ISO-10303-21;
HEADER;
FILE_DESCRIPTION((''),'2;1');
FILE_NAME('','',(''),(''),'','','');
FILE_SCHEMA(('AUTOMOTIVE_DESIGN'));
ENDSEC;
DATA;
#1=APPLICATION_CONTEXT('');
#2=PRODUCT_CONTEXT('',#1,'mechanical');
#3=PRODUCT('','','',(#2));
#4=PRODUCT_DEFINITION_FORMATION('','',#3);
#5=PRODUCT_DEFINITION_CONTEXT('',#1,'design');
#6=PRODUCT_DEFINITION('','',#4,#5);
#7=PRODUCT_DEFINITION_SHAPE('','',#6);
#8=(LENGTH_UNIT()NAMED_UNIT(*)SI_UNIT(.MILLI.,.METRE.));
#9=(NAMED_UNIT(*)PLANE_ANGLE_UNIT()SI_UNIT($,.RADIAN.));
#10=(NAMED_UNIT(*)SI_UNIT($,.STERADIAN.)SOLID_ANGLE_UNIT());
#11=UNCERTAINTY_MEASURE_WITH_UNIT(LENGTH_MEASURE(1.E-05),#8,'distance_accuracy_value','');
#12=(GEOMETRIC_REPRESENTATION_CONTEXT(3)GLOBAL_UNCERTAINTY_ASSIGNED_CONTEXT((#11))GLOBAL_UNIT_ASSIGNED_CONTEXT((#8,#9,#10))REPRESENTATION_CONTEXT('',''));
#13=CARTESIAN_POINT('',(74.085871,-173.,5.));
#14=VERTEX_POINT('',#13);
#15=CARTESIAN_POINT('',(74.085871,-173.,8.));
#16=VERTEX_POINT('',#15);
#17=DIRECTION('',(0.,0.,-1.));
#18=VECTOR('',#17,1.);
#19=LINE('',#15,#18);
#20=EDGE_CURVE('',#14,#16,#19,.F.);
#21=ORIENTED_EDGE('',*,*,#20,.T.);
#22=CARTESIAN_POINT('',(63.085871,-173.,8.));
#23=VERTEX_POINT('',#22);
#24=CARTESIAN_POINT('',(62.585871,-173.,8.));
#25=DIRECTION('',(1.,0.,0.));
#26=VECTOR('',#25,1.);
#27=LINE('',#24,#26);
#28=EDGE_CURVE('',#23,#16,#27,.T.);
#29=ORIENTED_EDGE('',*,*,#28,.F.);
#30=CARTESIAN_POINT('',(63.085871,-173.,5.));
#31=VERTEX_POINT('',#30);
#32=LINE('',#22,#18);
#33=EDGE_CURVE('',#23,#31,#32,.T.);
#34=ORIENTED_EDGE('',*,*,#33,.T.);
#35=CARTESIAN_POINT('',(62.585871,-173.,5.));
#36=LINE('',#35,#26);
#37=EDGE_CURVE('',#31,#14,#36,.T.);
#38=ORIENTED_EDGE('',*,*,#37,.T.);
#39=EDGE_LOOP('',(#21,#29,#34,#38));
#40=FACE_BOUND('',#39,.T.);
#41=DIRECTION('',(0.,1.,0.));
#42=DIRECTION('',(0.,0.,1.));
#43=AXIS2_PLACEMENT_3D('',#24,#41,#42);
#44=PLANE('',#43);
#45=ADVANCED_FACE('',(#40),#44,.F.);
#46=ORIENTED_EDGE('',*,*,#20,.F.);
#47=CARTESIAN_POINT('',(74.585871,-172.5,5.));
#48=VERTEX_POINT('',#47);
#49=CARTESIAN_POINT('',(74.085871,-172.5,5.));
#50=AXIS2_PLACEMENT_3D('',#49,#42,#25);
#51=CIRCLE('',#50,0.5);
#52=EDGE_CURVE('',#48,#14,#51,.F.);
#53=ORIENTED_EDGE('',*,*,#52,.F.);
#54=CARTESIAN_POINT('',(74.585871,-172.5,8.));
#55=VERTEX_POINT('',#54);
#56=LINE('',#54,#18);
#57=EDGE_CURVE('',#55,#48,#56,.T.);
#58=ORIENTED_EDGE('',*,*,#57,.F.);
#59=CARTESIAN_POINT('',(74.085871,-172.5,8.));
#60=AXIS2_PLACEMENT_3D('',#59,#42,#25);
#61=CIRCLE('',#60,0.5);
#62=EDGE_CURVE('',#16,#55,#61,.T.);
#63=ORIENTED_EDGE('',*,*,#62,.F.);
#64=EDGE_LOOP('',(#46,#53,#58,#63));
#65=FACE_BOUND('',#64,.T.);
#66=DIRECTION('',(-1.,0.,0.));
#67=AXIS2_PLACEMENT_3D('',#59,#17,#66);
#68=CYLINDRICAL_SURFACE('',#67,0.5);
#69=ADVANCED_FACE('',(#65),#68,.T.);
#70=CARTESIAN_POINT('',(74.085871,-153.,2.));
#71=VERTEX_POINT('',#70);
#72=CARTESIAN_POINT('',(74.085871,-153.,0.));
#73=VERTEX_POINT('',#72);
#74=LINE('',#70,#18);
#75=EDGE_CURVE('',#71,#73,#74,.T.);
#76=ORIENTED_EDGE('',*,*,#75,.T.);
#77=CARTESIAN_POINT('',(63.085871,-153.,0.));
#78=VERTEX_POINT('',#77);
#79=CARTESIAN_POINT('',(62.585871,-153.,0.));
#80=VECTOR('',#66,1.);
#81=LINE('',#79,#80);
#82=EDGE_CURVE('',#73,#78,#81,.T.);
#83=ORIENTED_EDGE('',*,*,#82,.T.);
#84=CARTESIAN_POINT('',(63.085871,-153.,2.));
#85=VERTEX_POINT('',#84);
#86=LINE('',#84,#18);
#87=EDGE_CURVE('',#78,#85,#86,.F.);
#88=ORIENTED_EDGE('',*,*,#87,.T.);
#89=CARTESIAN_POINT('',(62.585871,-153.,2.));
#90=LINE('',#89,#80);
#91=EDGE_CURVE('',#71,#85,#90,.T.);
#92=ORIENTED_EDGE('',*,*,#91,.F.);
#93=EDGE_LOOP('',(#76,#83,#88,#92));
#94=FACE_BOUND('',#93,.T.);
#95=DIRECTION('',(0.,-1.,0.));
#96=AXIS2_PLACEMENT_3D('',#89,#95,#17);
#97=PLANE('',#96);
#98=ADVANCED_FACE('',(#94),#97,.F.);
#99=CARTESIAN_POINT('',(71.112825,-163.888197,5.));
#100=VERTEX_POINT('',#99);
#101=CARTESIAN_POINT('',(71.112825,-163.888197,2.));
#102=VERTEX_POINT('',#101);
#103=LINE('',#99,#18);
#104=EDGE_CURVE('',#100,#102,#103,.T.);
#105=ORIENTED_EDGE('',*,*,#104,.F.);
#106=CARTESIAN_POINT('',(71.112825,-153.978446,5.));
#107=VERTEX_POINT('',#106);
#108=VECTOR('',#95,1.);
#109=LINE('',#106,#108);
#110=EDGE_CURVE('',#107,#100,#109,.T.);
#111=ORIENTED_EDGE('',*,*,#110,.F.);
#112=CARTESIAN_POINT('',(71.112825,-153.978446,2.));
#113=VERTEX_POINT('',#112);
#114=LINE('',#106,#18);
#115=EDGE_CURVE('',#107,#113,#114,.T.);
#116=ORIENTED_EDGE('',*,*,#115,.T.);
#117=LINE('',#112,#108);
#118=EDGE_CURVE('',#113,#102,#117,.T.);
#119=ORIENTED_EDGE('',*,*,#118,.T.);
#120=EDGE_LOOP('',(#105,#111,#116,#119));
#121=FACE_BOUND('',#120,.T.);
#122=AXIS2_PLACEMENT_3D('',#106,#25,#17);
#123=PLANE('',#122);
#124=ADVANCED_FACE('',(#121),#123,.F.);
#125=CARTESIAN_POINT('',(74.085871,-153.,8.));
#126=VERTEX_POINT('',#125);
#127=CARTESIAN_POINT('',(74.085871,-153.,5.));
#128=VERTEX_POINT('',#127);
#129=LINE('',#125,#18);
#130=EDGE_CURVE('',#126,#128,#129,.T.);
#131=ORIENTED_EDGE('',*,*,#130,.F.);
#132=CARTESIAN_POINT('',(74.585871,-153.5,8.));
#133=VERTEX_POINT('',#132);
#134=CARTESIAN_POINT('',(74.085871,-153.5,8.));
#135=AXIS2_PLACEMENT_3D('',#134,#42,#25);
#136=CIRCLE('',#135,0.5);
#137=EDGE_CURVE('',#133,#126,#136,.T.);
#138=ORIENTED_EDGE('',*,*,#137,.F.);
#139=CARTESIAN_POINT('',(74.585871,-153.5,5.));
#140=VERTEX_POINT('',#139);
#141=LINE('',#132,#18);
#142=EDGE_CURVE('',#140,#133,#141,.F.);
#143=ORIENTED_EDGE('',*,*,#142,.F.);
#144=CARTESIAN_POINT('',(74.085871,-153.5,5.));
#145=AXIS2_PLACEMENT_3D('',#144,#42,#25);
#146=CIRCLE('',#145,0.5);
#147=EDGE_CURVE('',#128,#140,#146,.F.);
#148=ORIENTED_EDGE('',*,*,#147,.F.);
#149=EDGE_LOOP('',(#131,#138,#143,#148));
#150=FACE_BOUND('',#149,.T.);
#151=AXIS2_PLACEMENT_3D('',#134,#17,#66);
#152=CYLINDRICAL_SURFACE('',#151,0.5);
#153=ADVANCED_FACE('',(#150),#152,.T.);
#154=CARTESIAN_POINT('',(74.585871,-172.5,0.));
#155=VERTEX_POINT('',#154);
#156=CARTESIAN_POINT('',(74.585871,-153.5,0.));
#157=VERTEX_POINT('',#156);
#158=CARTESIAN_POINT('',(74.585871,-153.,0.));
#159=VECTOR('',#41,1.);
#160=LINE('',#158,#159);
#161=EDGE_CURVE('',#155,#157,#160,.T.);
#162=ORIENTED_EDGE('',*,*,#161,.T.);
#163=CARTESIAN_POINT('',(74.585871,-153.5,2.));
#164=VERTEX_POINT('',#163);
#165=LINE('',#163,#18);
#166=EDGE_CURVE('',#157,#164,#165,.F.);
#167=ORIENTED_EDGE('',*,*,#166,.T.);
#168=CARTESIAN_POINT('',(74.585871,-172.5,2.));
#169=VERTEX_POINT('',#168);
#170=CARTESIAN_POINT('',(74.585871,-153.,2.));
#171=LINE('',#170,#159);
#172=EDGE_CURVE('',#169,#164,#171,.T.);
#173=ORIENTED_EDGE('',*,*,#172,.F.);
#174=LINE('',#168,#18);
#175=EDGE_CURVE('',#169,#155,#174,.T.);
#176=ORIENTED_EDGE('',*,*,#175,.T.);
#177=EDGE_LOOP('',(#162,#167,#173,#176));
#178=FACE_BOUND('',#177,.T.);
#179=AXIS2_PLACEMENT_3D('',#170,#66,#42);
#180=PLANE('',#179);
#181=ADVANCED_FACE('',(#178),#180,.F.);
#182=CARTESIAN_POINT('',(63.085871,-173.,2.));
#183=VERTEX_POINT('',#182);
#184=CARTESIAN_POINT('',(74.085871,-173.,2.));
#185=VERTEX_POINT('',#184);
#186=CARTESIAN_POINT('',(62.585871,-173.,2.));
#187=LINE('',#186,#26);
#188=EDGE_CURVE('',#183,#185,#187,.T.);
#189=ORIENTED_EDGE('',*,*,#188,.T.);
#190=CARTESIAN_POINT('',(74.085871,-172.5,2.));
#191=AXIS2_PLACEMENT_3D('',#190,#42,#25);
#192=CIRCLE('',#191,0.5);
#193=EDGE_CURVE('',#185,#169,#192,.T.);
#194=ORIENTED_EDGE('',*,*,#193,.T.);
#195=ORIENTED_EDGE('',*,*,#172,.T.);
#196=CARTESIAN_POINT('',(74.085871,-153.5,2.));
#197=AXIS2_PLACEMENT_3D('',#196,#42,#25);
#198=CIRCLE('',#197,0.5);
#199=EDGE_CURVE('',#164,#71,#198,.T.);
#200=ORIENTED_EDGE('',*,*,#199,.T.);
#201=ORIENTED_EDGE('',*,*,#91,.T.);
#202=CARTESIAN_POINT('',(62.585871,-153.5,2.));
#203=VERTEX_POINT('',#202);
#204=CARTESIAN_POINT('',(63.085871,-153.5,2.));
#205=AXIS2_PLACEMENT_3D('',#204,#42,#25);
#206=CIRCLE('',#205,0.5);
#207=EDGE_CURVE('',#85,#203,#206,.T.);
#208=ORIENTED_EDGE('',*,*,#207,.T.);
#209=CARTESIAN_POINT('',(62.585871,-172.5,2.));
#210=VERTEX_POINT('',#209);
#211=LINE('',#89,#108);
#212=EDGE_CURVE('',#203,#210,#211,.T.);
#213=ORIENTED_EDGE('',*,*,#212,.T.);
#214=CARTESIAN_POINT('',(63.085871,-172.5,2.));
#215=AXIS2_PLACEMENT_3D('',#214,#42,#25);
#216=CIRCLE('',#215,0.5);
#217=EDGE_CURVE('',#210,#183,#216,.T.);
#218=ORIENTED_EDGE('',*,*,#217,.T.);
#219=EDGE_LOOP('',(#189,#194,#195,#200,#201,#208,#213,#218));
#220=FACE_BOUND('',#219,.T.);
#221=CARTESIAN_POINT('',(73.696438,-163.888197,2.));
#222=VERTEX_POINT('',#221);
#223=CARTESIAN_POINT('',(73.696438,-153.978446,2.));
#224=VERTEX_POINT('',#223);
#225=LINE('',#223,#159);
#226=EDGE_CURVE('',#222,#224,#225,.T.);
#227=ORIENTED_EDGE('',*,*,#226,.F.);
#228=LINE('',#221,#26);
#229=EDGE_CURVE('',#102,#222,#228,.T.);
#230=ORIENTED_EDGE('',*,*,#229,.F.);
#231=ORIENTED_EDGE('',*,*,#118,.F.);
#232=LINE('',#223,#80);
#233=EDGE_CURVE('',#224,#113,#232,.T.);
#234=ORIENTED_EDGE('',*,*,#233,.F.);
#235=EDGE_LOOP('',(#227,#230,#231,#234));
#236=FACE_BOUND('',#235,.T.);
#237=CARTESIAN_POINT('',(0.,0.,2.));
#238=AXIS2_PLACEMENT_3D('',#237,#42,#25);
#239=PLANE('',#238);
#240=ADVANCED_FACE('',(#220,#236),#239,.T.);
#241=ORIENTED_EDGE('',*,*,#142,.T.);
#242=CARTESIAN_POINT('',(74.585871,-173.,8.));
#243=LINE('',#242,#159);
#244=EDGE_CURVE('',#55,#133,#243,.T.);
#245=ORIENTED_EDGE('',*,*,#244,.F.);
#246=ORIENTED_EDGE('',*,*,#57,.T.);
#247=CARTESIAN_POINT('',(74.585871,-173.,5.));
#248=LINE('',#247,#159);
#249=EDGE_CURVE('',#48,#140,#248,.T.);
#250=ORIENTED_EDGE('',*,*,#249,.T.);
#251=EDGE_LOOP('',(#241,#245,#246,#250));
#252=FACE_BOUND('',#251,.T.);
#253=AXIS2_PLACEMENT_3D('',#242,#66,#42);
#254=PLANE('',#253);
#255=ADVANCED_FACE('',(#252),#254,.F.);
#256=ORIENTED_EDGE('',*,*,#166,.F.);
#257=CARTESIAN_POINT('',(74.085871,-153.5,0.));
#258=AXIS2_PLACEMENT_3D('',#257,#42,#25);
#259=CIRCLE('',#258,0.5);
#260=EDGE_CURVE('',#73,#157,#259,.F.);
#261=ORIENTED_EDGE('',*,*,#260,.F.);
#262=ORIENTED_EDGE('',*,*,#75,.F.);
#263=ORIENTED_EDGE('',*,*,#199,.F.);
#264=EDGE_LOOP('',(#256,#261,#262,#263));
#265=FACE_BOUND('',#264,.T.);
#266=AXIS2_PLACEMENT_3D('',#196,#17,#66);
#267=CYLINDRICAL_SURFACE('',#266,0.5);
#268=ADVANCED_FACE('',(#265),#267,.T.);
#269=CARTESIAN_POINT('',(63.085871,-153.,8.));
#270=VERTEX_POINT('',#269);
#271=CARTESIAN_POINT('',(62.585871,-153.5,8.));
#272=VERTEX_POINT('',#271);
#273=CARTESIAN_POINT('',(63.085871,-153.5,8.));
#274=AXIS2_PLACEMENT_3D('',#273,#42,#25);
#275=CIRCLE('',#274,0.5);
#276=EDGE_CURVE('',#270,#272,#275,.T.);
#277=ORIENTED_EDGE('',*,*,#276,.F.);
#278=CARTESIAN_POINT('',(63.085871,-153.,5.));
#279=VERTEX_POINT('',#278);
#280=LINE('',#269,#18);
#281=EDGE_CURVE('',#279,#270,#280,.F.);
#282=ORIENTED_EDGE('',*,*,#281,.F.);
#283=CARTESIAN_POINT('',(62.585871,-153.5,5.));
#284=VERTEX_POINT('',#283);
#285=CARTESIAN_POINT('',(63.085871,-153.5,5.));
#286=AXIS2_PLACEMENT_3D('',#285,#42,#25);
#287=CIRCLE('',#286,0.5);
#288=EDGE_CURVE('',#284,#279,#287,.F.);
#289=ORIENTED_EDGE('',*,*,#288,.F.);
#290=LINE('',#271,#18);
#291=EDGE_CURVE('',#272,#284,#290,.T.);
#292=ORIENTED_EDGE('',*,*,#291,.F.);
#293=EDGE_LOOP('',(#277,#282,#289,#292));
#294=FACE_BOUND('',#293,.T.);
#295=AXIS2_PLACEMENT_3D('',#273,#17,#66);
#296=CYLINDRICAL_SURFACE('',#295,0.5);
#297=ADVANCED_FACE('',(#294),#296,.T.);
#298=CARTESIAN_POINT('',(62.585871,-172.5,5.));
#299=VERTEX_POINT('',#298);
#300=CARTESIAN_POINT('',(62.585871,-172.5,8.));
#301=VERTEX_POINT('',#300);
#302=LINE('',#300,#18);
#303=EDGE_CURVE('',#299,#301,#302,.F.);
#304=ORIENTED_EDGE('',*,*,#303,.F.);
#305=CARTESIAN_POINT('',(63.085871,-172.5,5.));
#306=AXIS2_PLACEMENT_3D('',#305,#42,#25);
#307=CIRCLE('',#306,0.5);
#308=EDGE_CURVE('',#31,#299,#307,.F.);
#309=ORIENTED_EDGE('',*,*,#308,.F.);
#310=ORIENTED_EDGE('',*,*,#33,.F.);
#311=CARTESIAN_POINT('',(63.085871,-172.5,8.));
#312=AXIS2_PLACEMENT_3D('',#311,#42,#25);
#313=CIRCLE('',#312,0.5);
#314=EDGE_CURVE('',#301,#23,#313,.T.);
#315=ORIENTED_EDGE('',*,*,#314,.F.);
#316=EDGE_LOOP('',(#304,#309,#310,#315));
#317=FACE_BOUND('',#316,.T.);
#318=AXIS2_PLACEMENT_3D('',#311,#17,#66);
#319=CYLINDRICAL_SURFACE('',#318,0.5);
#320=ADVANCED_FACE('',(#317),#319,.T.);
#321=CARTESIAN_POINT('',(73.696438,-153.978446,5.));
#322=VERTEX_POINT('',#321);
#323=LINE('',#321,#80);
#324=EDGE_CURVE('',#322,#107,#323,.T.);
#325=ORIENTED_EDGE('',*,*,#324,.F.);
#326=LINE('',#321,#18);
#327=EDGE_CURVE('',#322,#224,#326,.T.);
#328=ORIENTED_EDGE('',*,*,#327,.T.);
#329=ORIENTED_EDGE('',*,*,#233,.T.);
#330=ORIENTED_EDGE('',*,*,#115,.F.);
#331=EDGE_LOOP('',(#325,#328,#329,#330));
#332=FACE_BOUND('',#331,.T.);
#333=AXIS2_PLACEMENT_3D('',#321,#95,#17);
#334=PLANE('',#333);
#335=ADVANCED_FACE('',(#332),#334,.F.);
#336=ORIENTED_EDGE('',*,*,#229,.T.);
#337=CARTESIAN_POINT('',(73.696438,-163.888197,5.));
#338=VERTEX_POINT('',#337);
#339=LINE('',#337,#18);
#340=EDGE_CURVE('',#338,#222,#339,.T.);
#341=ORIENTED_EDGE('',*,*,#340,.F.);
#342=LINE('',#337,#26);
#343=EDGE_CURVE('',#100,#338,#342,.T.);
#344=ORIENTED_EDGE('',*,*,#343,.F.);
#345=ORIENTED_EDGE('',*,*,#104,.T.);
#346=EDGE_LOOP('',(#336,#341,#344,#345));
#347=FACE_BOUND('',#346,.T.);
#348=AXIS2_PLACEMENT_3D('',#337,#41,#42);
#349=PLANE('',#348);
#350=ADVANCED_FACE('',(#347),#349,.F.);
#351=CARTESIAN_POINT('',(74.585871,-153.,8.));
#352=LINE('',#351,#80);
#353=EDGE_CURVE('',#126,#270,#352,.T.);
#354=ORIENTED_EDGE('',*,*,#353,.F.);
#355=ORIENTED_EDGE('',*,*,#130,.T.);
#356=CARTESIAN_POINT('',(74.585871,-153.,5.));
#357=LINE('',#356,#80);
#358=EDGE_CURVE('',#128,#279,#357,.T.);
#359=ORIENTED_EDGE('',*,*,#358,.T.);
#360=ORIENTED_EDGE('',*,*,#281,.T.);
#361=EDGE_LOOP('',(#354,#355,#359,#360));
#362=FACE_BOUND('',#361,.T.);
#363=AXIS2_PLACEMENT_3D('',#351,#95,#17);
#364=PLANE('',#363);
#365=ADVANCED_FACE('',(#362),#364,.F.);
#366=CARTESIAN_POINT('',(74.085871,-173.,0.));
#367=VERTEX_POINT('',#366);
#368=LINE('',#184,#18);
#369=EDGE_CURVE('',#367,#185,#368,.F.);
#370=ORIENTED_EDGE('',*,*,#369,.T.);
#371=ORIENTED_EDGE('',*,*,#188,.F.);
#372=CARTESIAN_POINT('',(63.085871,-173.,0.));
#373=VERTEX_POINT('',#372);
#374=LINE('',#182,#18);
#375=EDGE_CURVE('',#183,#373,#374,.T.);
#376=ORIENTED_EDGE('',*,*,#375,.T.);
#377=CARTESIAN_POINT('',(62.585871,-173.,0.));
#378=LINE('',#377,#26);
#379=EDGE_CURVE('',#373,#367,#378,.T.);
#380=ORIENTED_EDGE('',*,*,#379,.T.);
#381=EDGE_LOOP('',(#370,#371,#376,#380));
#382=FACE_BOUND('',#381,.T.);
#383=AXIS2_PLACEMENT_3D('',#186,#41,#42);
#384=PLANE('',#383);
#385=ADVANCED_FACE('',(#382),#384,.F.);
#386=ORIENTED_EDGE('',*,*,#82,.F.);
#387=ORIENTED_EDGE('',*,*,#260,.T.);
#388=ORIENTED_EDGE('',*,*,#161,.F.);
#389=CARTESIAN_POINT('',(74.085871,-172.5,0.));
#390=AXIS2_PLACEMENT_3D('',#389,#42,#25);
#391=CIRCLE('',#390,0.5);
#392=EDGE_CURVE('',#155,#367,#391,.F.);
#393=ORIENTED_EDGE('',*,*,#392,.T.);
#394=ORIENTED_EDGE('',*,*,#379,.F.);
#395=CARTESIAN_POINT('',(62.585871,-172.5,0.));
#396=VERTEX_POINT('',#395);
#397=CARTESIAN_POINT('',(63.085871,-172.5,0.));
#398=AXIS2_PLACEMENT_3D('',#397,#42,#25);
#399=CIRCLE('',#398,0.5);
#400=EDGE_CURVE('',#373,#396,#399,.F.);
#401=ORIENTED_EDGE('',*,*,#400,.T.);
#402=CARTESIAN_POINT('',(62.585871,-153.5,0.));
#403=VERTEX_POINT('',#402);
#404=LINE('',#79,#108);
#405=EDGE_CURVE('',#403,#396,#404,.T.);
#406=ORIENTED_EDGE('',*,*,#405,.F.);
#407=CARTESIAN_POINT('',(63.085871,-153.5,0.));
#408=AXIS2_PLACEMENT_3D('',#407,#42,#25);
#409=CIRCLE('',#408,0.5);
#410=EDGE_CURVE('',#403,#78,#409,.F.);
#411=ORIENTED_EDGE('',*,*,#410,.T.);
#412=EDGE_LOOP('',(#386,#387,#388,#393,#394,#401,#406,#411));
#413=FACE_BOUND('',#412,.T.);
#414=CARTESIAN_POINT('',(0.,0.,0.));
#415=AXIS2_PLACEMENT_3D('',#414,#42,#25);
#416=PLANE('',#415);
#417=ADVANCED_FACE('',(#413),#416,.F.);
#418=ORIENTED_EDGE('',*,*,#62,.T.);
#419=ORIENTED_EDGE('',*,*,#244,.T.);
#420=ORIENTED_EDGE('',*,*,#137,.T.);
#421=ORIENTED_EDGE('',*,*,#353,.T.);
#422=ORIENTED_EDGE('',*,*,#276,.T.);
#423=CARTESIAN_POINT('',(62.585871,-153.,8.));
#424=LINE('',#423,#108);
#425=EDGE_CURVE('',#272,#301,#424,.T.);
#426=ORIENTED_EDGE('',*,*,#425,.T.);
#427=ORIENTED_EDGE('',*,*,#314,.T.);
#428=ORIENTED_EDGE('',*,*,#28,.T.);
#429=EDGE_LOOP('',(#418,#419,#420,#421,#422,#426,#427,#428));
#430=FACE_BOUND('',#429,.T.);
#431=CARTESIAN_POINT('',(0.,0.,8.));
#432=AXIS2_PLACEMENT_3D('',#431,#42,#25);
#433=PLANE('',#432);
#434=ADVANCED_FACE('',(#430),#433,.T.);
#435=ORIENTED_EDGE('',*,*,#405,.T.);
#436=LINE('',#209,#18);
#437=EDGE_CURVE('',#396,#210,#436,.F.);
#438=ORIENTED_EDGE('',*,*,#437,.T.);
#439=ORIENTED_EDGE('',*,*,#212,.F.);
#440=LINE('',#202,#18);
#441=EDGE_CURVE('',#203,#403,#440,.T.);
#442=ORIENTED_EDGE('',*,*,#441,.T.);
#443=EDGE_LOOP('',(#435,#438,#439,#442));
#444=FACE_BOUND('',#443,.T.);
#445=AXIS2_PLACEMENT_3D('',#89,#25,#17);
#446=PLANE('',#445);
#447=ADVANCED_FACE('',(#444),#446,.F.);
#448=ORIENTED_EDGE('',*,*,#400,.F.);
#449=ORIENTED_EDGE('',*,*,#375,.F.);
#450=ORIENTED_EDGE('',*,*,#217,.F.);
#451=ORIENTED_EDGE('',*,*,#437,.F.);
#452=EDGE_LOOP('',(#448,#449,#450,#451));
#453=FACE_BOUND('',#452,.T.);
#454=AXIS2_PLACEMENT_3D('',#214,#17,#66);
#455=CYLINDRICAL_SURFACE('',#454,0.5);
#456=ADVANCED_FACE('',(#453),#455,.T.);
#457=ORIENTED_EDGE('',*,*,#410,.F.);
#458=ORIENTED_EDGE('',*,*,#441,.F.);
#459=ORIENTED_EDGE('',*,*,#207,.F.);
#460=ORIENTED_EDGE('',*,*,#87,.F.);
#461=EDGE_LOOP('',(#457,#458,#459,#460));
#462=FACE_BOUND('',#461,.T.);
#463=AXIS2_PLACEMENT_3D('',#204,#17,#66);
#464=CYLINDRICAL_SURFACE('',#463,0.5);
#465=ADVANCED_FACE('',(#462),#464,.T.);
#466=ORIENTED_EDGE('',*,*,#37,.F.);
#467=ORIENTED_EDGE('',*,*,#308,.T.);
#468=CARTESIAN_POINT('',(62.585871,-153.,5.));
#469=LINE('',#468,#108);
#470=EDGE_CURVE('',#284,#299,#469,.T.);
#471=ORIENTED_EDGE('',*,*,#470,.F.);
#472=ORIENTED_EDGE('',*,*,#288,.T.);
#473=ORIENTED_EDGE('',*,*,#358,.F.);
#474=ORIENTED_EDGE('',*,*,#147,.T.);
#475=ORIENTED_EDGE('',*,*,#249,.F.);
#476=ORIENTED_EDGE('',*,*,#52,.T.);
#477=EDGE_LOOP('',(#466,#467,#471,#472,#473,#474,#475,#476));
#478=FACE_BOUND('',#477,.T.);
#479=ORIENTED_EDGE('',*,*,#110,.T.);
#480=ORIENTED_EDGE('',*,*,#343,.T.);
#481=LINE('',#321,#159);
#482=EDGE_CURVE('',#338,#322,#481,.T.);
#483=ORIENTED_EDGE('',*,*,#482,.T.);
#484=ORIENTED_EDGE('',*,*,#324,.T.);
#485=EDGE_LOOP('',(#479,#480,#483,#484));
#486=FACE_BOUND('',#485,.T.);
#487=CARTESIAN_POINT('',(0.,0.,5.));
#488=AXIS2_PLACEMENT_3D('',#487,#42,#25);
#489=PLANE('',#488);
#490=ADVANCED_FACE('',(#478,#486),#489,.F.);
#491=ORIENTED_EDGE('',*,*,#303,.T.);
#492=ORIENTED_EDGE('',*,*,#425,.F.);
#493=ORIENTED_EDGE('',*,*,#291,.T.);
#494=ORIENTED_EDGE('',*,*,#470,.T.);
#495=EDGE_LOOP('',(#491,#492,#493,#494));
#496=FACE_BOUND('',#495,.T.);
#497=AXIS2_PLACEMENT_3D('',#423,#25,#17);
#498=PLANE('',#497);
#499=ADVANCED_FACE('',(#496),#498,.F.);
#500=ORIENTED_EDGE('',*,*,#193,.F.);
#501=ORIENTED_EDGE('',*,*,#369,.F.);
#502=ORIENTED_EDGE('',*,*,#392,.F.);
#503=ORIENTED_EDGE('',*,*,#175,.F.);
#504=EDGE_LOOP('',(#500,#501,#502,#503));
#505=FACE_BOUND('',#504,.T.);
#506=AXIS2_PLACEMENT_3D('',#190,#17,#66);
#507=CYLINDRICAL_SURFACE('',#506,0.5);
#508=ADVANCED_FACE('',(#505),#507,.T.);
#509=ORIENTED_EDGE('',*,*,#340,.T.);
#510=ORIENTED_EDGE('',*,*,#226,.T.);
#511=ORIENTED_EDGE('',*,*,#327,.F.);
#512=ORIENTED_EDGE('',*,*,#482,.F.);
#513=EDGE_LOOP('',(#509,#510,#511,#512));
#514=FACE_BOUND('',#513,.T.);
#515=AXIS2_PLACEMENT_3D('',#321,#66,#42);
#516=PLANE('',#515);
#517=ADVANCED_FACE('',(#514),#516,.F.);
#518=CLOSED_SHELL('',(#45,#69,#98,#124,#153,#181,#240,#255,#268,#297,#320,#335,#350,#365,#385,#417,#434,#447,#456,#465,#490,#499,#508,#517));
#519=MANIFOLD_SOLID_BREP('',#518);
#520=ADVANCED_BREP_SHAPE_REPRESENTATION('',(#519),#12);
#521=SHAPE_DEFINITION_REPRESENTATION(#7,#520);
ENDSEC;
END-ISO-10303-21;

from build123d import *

# Parameters (mm, degrees)
SKETCH1_W           = 12
SKETCH1_H           = 20
BOSS_EXTRUDE1_DEPTH = 2
SKETCH2_W           = 2.583613584
SKETCH2_H           = 9.909750732
BOSS_EXTRUDE2_DEPTH = 3
SKETCH3_W           = 12
SKETCH3_H           = 20
BOSS_EXTRUDE3_DEPTH = 3
FILLET1_R           = 0.5


with BuildPart() as part:
    # Sketch1 → Boss-Extrude1 (new body)
    with BuildSketch(Plane.XY):
        with Locations((68.585871194, -163)):
            Rectangle(SKETCH1_W, SKETCH1_H)
    extrude(amount=BOSS_EXTRUDE1_DEPTH)

    # Sketch2 → Boss-Extrude2 (add)
    with BuildSketch(Plane.XY.offset(2)):
        with Locations((72.404631484, -158.933321579)):
            Rectangle(SKETCH2_W, SKETCH2_H)
    extrude(amount=BOSS_EXTRUDE2_DEPTH)

    # Sketch3 → Boss-Extrude3 (add)
    with BuildSketch(Plane.XY.offset(5)):
        with Locations((68.585871194, -163)):
            Rectangle(SKETCH3_W, SKETCH3_H)
    extrude(amount=BOSS_EXTRUDE3_DEPTH)

    # Fillet1
    fillet1_edges = [part.edges().sort_by_distance(p)[0] for p in [
        (62.585871194, -173, 6.5),
        (74.585871194, -173, 6.5),
        (74.585871194, -153, 6.5),
        (62.585871194, -153, 6.5),
        (62.585871194, -153, 1),
        (74.585871194, -153, 1),
        (74.585871194, -173, 1),
        (62.585871194, -173, 1),
    ]]
    fillet(fillet1_edges, radius=FILLET1_R)


solid = part.part
